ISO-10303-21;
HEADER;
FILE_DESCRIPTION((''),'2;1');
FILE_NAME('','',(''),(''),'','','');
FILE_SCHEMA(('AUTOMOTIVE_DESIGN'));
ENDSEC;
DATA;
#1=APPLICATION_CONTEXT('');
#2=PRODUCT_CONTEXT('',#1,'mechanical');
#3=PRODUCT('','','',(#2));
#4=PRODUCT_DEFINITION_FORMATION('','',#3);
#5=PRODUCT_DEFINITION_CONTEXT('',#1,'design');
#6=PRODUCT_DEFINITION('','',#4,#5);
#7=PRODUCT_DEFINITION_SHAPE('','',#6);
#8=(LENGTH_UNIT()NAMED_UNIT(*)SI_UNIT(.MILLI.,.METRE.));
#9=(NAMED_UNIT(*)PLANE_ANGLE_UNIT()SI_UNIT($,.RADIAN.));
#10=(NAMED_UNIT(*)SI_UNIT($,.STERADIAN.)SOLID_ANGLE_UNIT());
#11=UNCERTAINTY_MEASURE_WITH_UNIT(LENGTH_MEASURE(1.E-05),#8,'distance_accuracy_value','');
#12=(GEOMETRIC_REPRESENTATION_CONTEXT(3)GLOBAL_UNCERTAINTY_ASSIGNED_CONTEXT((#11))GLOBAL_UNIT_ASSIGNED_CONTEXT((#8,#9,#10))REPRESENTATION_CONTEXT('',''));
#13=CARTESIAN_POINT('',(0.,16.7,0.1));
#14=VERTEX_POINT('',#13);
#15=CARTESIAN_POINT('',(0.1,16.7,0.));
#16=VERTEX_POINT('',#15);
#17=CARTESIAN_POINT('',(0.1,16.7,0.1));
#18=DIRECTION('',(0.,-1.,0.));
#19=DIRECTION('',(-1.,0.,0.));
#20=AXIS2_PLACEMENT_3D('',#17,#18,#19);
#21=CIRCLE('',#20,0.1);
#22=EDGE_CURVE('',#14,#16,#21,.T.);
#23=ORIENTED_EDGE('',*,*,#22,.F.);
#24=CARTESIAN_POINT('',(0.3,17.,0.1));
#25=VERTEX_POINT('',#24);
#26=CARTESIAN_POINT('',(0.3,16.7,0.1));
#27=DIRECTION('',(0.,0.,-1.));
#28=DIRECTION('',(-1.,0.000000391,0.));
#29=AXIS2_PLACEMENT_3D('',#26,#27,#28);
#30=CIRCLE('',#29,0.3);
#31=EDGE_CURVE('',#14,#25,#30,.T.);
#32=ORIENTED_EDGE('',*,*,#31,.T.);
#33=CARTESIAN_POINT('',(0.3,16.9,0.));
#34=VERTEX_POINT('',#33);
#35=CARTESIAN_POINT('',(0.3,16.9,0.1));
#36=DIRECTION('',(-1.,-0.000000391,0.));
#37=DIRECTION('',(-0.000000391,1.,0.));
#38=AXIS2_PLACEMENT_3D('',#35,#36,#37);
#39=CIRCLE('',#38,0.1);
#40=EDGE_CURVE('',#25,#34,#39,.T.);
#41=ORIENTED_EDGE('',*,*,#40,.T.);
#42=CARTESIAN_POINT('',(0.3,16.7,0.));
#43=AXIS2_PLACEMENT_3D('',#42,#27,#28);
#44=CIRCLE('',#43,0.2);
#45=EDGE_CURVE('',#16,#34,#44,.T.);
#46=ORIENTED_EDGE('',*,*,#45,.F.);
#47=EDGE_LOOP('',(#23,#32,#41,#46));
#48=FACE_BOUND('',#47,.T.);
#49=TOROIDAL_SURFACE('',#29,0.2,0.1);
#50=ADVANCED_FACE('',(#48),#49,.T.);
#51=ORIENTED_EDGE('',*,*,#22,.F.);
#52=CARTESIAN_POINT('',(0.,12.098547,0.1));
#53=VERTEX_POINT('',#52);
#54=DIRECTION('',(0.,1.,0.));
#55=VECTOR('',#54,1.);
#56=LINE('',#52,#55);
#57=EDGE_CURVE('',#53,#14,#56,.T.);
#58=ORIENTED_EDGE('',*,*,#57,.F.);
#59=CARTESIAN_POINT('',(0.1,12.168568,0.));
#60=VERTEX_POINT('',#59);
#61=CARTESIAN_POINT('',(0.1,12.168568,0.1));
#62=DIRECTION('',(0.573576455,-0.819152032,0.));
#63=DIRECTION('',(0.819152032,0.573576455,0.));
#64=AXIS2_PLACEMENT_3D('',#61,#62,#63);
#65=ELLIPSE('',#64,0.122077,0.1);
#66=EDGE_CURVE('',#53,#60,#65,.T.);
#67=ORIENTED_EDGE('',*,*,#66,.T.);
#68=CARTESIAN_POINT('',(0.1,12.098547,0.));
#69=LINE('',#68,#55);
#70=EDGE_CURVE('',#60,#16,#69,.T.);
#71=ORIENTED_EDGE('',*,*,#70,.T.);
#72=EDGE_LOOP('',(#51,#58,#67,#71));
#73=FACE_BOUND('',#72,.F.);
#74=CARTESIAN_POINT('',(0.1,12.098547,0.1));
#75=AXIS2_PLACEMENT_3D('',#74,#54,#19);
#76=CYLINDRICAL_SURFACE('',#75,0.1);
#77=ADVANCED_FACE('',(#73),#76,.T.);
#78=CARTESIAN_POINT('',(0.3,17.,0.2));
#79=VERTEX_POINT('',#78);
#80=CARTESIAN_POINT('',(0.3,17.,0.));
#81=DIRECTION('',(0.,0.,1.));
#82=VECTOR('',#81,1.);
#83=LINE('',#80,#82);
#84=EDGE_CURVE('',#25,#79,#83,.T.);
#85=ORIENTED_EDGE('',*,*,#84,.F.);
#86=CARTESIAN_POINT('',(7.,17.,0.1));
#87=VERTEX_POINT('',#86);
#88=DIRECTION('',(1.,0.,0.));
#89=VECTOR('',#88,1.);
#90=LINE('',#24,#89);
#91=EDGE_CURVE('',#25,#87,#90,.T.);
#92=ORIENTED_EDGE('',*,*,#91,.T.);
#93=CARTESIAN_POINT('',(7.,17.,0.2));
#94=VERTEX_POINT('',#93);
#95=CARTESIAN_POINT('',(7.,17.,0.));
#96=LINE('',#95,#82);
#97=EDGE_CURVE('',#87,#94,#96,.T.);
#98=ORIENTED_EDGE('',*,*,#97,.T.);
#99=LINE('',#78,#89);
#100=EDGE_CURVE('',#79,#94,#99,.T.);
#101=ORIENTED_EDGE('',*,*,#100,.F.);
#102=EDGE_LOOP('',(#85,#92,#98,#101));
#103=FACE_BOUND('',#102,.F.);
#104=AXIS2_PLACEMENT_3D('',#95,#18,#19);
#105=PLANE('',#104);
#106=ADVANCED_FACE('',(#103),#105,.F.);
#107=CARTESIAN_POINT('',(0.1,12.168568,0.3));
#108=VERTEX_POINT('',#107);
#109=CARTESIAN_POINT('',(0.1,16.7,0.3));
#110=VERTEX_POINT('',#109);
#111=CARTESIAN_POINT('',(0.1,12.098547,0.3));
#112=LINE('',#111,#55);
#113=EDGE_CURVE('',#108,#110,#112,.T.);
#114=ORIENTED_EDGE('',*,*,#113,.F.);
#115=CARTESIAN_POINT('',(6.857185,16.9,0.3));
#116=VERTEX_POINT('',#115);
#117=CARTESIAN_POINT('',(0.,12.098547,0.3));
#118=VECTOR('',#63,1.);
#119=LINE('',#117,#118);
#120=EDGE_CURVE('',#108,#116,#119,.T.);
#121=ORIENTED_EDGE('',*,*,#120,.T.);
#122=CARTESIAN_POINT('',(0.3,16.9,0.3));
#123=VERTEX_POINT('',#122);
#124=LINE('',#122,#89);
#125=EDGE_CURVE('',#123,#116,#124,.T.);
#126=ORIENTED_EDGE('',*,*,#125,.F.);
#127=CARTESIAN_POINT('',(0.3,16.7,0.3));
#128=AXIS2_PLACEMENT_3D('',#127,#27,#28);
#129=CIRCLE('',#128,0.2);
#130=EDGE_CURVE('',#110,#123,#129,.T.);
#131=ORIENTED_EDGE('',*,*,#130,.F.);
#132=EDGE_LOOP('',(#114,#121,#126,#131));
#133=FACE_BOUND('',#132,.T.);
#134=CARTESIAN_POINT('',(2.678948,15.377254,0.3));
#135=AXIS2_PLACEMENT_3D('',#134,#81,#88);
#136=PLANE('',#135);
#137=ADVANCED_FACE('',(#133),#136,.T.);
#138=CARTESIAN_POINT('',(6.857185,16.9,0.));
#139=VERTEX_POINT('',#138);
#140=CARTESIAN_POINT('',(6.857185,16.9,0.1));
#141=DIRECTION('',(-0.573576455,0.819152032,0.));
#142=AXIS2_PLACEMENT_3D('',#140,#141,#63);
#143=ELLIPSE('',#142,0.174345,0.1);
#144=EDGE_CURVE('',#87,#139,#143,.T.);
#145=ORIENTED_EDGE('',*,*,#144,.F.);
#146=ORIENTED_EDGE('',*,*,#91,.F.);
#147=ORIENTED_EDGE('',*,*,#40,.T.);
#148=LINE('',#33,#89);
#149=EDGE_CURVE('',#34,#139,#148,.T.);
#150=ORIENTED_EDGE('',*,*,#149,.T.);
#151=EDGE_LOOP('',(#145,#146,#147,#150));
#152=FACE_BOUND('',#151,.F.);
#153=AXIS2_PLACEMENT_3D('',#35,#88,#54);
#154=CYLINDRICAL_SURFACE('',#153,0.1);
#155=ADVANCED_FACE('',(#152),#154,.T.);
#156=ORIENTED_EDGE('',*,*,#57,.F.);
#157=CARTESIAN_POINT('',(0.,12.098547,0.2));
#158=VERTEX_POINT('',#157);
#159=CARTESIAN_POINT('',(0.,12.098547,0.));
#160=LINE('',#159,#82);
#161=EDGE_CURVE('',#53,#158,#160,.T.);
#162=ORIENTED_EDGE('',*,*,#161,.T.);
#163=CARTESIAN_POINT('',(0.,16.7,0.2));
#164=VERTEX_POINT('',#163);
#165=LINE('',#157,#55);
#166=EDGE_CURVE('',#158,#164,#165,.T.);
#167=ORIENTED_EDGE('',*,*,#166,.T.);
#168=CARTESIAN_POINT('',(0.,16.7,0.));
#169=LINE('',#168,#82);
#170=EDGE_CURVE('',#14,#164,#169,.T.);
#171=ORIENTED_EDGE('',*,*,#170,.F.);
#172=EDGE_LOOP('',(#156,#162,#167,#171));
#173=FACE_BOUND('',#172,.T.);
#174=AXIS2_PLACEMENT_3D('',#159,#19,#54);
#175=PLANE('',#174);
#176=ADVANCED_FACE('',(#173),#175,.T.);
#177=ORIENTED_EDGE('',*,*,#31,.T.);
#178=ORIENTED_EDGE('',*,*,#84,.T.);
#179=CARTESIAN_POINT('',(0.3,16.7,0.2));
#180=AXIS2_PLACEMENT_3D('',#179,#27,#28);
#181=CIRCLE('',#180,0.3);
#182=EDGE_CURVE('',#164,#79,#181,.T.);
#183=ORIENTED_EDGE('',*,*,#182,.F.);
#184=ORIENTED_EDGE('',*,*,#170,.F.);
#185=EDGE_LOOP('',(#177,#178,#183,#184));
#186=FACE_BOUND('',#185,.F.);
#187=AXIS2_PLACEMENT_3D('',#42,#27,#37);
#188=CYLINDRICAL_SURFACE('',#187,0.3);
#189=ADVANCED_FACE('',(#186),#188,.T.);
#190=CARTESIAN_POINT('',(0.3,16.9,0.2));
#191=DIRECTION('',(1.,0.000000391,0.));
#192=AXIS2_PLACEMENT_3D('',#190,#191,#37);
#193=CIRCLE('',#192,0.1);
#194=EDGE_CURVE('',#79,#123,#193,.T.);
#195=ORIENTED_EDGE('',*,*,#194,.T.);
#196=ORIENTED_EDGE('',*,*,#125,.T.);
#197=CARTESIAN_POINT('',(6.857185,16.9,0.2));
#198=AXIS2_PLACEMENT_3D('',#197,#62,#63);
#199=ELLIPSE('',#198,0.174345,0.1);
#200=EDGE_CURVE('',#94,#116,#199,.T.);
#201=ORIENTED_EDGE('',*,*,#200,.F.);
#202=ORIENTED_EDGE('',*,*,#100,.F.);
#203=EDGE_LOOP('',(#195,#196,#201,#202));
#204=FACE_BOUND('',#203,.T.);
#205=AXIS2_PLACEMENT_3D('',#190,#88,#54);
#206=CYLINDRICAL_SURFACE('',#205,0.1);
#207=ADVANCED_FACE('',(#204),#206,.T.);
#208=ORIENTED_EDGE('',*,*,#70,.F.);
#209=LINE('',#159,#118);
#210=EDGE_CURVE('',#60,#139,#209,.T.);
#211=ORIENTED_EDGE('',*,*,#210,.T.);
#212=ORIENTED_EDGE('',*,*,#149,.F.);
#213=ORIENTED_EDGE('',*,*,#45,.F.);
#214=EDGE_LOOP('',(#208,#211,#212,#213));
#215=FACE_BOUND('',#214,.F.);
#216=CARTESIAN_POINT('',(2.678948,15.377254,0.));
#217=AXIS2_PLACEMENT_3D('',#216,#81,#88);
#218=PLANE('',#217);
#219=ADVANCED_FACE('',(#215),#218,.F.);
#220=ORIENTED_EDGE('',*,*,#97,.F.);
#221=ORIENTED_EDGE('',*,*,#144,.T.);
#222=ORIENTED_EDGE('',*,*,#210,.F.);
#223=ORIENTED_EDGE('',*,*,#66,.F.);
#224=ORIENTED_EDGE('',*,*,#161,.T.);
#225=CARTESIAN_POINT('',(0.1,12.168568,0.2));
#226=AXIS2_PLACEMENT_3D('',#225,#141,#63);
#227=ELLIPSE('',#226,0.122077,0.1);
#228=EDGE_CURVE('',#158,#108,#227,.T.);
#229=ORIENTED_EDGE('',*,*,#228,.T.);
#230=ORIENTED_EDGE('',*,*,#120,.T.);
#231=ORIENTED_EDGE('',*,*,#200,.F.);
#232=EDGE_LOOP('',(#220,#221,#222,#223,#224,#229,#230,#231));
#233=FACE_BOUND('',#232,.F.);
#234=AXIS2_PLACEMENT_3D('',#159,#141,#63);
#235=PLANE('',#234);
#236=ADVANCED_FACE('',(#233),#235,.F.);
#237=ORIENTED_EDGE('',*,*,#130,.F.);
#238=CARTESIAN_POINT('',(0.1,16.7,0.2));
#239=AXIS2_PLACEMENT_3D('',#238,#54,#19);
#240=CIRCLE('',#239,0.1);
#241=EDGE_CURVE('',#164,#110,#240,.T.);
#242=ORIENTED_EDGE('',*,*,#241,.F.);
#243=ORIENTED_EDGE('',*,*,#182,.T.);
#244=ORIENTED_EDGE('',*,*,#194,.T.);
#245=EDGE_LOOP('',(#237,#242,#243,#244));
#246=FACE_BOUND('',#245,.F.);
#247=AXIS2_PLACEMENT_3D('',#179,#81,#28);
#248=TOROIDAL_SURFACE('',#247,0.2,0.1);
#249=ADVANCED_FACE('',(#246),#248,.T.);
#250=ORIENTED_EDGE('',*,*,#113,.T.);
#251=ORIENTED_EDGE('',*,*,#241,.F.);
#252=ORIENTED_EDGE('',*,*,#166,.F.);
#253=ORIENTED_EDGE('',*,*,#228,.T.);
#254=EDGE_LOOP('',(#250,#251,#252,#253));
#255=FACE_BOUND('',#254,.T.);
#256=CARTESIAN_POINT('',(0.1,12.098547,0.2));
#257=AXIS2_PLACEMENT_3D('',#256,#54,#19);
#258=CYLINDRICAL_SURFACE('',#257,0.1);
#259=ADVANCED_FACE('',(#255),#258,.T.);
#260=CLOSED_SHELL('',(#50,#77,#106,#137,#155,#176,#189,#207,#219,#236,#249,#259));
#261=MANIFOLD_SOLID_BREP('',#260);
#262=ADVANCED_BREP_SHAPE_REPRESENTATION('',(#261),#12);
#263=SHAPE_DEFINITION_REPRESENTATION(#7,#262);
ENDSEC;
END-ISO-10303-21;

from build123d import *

# Parameters (mm, degrees)
PAD001_DEPTH = 0.3
FILLET004_R  = 0.1
FILLET005_R  = 0.1


with BuildPart() as part:
    # Sketch002 → Pad001 (new body)
    with BuildSketch(Plane.XY):
        with BuildLine():
            Line((0, 12.098547), (7, 17))
            Line((7, 17), (0.3, 17))
            ThreePointArc((0.3, 17), (0.087868, 16.912132), (0, 16.7))
            Line((0, 12.098547), (0, 16.7))
        make_face()
    extrude(amount=PAD001_DEPTH)

    # Fillet004
    fillet004_edges = [part.edges().sort_by_distance(p)[0] for p in [
        (0, 14.399274, 0.3),
        (0.087868, 16.912132, 0.3),
        (3.65, 17, 0.3),
    ]]
    fillet(fillet004_edges, radius=FILLET004_R)

    # Fillet005
    fillet005_edges = [part.edges().sort_by_distance(p)[0] for p in [
        (0, 14.399274, 0),
        (0.087868, 16.912132, 0),
        (3.65, 17, 0),
    ]]
    fillet(fillet005_edges, radius=FILLET005_R)


solid = part.part
